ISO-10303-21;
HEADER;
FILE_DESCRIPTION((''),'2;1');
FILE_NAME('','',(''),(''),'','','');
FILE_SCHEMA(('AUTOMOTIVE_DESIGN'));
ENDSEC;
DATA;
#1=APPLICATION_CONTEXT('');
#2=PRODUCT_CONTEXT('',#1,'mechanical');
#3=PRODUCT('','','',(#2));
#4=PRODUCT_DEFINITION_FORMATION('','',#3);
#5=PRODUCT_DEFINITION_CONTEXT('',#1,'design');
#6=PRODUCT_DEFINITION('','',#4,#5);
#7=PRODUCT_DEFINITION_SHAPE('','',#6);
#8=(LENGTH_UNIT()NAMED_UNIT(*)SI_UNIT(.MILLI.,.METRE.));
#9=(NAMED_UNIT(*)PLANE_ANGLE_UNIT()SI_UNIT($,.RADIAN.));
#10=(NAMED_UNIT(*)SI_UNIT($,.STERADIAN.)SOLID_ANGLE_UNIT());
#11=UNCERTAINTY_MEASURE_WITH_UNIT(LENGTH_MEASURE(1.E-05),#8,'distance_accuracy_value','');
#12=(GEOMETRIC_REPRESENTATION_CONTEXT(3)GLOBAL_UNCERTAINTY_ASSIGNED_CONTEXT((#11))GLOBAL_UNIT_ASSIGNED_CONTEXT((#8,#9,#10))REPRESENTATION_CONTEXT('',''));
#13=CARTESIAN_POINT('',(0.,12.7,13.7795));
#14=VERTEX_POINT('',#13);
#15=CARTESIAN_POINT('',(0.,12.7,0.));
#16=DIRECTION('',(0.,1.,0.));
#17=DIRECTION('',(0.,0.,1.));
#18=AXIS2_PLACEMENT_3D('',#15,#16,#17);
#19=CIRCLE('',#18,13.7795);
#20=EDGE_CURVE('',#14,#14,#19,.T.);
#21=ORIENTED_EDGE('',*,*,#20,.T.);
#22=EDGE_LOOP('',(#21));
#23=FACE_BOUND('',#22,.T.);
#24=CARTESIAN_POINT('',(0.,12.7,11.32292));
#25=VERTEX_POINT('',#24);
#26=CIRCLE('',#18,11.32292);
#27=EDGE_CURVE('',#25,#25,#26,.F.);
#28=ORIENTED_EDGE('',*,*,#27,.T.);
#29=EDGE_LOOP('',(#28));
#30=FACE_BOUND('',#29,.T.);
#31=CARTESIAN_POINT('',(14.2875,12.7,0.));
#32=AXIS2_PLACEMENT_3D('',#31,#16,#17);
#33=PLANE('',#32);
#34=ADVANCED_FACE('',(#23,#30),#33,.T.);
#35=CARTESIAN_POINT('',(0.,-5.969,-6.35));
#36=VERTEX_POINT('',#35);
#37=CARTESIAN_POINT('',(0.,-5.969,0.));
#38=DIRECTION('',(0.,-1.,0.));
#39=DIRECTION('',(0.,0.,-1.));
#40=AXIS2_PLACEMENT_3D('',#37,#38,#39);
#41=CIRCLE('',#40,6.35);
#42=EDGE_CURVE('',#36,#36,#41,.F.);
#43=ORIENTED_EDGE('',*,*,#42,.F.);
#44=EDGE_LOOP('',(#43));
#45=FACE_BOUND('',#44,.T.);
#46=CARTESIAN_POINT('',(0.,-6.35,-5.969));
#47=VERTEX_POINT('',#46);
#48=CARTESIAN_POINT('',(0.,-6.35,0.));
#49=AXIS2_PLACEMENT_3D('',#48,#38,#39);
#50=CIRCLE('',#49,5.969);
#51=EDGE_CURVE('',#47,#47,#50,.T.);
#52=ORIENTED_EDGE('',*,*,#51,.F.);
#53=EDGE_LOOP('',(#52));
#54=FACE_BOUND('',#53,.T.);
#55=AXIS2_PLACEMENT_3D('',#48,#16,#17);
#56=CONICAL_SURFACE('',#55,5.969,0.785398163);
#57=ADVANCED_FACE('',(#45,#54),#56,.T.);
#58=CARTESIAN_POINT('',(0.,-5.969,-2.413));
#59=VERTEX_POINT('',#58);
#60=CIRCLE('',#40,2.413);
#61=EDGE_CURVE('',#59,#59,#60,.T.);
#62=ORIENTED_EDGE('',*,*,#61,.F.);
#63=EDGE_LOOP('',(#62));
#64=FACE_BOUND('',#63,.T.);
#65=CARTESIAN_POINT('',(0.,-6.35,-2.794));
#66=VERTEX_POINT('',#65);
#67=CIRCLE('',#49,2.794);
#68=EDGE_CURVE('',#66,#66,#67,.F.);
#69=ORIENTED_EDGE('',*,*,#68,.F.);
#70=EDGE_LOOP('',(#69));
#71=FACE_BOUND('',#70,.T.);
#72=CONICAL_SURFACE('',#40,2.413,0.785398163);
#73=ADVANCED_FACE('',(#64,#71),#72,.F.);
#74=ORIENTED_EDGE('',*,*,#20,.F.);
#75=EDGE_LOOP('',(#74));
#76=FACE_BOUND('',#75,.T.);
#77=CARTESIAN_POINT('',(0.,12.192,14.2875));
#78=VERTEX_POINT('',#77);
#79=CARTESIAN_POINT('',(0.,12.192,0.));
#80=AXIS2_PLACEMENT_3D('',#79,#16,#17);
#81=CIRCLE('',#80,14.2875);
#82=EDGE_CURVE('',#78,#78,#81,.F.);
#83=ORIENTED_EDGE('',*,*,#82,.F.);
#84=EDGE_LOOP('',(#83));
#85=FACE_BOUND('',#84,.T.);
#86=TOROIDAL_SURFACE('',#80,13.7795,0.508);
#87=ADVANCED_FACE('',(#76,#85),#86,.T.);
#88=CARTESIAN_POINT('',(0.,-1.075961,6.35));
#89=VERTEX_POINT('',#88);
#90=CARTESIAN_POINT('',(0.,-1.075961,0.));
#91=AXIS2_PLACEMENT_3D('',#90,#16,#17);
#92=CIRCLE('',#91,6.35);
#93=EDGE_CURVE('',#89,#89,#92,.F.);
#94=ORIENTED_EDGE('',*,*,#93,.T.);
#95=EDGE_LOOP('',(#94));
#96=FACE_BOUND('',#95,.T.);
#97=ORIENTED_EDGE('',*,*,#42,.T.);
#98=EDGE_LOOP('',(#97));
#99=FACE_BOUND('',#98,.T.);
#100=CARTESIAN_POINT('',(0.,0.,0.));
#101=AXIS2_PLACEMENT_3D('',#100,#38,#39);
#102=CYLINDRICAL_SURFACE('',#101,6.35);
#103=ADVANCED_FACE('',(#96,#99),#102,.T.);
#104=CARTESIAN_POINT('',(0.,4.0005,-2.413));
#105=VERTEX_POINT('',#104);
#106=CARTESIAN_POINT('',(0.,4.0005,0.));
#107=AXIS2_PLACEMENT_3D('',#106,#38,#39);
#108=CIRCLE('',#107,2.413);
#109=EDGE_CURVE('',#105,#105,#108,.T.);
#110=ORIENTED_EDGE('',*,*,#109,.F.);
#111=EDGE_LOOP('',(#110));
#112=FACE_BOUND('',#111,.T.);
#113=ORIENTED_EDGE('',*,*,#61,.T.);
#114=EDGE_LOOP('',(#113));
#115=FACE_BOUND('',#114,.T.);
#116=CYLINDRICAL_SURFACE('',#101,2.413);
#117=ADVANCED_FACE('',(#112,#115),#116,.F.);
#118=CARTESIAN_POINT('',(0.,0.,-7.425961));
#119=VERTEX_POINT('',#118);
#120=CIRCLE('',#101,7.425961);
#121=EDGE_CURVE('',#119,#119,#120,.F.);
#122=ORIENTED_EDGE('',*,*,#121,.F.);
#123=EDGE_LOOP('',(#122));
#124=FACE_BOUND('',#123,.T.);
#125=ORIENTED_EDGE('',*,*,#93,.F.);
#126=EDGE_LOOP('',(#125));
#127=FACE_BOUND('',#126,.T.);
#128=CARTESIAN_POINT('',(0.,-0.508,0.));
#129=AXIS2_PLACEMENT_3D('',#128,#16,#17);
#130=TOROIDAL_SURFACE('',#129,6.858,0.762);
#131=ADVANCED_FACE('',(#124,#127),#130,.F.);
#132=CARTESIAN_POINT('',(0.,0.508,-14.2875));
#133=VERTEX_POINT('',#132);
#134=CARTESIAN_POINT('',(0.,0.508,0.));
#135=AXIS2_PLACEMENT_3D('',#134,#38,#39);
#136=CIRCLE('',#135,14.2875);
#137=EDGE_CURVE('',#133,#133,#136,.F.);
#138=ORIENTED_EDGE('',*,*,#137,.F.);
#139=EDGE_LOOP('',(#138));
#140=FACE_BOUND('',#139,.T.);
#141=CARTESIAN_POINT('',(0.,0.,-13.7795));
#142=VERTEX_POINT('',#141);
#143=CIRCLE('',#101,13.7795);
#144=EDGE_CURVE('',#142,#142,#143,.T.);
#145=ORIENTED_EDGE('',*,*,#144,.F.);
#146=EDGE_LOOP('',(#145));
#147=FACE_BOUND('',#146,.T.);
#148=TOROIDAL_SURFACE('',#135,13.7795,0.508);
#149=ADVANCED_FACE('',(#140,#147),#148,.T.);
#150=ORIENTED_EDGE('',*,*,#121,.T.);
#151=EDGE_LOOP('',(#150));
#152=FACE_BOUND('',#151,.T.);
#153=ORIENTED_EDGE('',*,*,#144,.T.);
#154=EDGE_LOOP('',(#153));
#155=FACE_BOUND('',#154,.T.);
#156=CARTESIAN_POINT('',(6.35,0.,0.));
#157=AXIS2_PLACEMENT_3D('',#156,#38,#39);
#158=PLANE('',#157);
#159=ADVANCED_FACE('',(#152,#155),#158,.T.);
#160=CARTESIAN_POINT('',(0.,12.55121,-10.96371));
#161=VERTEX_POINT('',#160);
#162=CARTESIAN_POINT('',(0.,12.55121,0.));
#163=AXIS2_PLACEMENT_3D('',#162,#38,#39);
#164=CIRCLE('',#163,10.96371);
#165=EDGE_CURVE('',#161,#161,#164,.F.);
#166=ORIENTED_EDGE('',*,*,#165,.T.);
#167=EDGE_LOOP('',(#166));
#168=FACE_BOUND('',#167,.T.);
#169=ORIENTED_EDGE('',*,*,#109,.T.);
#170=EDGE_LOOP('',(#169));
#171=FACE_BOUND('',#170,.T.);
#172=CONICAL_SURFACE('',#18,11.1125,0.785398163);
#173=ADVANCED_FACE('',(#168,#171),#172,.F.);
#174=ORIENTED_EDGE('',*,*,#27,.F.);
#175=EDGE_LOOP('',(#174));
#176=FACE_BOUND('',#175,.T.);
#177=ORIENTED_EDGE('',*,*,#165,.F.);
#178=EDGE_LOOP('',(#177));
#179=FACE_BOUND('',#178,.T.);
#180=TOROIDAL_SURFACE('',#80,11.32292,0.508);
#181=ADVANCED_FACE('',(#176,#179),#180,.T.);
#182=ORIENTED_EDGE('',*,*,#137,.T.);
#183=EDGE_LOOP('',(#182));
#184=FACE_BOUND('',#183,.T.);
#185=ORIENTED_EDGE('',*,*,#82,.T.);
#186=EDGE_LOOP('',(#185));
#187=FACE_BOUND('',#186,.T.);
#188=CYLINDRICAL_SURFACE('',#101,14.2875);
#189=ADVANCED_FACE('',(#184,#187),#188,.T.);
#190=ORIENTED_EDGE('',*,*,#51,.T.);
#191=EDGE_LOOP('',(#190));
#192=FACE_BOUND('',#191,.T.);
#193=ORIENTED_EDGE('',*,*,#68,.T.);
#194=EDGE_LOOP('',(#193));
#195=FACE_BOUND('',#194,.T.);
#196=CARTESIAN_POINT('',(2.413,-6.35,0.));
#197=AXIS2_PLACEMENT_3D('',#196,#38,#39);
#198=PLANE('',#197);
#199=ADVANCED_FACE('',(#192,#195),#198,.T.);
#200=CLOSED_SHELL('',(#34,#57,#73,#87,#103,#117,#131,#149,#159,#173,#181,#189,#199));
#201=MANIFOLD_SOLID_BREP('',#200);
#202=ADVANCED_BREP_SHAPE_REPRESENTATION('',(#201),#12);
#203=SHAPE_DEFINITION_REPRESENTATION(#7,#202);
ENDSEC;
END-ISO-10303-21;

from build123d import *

# Parameters (mm, degrees)
SKETCH2_R     = 0.762
CHAMFER1_SIZE = 0.381
FILLET1_R     = 0.508
CHAMFER2_SIZE = 0.381


with BuildPart() as part:
    # Sketch1 → Revolve1 (revolve)
    with BuildSketch(Plane.XY, mode=Mode.PRIVATE) as revolve1_sk:
        Polygon((2.413, -6.35), (6.35, -6.35), (6.35, 0), (14.2875, 0), (14.2875, 12.7), (11.1125, 12.7), (2.413, 4.0005), align=None)
    revolve(revolve1_sk.sketch.rotate(Axis((0, 0, 0), (0, 1, 0)), 90), axis=Axis((0, 0, 0), (0, 1, 0)))  # turned: the seam where the file's is

    # Sketch2 → Cut-Revolve1 (revolve, cut)
    with BuildSketch(Plane.XY, mode=Mode.PRIVATE) as cut_revolve1_sk:
        with Locations((6.858, -0.508)):
            Circle(SKETCH2_R)
    revolve(cut_revolve1_sk.sketch.rotate(Axis((0, 0, 0), (0, -1, 0)), 270), axis=Axis((0, 0, 0), (0, -1, 0)), mode=Mode.SUBTRACT)  # turned: the seam where the file's is

    # Chamfer1
    chamfer1_edges = [part.edges().sort_by_distance(p)[0] for p in [
        (0, -6.35, 2.413),
    ]]
    chamfer(chamfer1_edges, length=CHAMFER1_SIZE)

    # Fillet1
    fillet1_edges = [part.edges().sort_by_distance(p)[0] for p in [
        (0, 0, 14.2875),
        (0, 12.7, 14.2875),
        (0, 12.7, 11.1125),
    ]]
    fillet(fillet1_edges, radius=FILLET1_R)

    # Chamfer2
    chamfer2_edges = [part.edges().sort_by_distance(p)[0] for p in [
        (0, -6.35, 6.35),
    ]]
    chamfer(chamfer2_edges, length=CHAMFER2_SIZE)


solid = part.part
